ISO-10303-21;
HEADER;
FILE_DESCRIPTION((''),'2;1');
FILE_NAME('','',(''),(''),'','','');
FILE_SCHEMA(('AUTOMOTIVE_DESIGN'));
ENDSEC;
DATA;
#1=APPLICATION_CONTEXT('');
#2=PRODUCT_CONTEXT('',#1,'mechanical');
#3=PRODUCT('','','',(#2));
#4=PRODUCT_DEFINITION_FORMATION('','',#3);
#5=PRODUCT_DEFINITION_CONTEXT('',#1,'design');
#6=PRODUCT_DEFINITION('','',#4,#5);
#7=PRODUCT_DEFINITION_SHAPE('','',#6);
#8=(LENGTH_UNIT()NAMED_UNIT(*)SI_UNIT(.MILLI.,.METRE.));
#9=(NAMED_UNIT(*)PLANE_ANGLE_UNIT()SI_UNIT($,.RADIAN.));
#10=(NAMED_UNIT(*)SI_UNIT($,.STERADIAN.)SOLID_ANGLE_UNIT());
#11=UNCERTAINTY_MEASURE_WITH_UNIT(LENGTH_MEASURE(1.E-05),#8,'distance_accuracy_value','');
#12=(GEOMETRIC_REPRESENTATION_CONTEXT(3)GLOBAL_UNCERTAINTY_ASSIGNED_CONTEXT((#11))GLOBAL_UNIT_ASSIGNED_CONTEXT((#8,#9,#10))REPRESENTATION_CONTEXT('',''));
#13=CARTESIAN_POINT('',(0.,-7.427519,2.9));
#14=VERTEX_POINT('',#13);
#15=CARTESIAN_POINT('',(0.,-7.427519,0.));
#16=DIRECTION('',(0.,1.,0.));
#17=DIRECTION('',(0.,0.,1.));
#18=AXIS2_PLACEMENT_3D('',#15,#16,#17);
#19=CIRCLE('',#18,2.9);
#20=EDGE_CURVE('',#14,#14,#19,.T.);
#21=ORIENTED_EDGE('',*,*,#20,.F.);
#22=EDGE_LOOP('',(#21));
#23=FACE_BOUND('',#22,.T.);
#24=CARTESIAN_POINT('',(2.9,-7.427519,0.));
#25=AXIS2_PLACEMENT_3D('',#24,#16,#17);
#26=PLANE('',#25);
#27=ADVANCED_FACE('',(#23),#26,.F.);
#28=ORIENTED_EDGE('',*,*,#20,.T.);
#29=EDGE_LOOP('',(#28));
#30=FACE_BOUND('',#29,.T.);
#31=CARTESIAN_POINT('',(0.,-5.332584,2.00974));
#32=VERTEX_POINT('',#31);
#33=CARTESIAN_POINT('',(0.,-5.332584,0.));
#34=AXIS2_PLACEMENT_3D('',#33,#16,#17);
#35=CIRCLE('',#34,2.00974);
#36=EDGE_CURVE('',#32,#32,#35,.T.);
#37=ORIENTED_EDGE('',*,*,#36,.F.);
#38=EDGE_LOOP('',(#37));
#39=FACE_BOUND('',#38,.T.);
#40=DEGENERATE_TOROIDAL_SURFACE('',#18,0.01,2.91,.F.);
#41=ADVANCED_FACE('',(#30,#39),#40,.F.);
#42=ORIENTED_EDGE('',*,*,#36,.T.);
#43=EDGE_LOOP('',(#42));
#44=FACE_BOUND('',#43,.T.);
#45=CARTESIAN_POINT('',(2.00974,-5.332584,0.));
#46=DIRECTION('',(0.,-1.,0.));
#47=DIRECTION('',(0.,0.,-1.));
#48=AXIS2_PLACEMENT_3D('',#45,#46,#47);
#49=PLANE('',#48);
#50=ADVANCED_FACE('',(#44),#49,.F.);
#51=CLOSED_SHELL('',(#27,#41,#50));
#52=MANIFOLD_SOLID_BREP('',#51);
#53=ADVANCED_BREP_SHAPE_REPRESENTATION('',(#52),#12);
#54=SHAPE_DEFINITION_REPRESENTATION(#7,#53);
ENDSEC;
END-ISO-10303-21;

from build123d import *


with BuildPart() as part:
    # Sketch1 → Revolve1 (revolve)
    with BuildSketch(Plane.XY, mode=Mode.PRIVATE) as revolve1_sk:
        with BuildLine():
            Line((2.009740043, -5.332584421), (0, -5.332584421))
            Line((0, -5.332584421), (0, -7.427518825))
            Line((0, -7.427518825), (2.9, -7.427518825))
            ThreePointArc((2.9, -7.427518825), (2.668203085, -6.289393947), (2.009740043, -5.332584421))
        make_face()
    revolve(revolve1_sk.sketch.rotate(Axis((0, 0, 0), (0, -1, 0)), 90), axis=Axis((0, 0, 0), (0, -1, 0)))


solid = part.part
